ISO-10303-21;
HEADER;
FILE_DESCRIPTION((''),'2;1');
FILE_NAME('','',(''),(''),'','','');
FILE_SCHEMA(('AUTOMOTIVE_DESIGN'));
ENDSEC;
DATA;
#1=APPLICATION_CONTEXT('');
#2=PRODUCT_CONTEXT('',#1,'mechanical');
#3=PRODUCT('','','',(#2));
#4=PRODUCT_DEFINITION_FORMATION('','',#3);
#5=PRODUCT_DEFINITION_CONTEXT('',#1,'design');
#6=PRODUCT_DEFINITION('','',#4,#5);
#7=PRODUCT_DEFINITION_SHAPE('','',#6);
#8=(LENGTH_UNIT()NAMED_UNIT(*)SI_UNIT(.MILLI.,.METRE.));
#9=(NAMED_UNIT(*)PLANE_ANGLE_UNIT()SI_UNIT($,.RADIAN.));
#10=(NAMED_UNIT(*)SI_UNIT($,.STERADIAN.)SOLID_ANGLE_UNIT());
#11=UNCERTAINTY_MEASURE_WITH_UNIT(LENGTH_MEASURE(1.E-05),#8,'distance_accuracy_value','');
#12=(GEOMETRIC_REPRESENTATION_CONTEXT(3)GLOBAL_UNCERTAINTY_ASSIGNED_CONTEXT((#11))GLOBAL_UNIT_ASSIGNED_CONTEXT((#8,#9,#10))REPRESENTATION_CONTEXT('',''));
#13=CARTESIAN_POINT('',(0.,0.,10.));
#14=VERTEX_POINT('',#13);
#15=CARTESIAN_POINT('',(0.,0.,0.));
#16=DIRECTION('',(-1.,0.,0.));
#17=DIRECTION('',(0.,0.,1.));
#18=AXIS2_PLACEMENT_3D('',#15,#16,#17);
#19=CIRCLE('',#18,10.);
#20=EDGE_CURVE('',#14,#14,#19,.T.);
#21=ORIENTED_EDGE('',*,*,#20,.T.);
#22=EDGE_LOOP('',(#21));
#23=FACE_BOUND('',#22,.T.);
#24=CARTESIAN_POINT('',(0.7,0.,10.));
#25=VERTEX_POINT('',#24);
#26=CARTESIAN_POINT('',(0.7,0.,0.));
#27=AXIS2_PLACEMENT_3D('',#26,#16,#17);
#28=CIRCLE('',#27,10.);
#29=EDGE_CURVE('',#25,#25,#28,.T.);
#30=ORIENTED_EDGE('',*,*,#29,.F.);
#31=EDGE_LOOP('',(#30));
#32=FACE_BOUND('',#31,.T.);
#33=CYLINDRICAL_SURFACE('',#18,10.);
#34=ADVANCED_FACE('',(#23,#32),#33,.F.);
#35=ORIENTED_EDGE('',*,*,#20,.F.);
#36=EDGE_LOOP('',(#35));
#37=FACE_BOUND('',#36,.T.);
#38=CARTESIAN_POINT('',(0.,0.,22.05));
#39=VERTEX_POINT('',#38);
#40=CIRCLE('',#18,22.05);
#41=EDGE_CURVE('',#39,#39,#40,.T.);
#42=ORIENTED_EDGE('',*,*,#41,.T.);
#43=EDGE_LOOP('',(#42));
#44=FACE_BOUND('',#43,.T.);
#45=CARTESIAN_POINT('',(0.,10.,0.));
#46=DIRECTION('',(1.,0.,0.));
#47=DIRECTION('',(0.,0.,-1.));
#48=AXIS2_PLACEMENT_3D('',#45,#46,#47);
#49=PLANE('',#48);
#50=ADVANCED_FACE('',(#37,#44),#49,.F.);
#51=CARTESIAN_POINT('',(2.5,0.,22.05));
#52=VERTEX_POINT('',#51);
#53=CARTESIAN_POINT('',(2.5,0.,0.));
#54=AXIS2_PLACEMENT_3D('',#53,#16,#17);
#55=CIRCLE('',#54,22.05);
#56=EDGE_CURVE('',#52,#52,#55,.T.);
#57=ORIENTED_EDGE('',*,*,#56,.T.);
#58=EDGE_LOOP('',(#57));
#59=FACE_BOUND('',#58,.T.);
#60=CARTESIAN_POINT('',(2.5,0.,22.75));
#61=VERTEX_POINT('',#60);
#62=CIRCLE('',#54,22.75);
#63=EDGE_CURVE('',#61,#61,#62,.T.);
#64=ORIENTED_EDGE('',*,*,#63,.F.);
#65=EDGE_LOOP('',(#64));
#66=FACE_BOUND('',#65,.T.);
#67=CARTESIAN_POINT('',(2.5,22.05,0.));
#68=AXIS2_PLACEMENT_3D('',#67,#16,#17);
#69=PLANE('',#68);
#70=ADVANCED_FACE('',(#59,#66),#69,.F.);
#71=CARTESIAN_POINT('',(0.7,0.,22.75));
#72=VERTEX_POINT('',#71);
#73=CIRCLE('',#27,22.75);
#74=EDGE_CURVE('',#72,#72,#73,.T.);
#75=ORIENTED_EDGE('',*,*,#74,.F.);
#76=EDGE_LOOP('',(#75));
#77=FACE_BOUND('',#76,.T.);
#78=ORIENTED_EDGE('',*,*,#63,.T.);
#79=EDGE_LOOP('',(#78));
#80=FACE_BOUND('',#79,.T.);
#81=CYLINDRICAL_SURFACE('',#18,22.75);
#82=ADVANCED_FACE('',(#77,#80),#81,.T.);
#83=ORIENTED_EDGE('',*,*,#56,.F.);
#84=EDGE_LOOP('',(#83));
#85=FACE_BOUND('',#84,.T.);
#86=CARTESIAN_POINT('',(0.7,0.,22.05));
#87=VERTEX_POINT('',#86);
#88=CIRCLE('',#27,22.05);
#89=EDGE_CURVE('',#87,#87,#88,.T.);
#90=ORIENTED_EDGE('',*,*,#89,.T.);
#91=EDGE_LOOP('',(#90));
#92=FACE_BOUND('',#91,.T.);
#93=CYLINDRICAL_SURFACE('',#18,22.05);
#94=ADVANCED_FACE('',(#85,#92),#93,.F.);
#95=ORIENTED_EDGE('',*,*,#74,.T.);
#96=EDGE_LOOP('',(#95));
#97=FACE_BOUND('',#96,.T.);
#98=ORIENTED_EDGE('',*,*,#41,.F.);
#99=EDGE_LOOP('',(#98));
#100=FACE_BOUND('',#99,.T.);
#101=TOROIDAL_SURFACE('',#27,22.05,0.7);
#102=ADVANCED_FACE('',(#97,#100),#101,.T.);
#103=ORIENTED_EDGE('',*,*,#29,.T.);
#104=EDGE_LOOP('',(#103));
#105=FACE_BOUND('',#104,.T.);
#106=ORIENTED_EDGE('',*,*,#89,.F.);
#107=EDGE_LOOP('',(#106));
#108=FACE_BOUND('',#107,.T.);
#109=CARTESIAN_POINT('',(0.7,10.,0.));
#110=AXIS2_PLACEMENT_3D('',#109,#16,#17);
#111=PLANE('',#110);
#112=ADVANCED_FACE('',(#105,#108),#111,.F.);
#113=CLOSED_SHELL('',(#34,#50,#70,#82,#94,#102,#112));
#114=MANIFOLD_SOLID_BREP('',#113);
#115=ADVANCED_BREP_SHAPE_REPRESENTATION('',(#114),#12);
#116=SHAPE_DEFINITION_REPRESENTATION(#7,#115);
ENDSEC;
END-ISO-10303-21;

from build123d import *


with BuildPart() as part:
    # Croquis1 → Revolución1 (revolve)
    with BuildSketch(Plane.XY, mode=Mode.PRIVATE) as revoluci_n1_sk:
        with BuildLine():
            Line((0.7, 10), (0.7, 22.05))
            Line((0.7, 22.05), (2.5, 22.05))
            Line((2.5, 22.05), (2.5, 22.75))
            Line((2.5, 22.75), (0.7, 22.75))
            ThreePointArc((0.7, 22.75), (0.205025253, 22.544974747), (0, 22.05))
            Line((0, 22.05), (0, 10))
            Line((0, 10), (0.7, 10))
        make_face()
    revolve(revoluci_n1_sk.sketch.rotate(Axis((0, 0, 0), (1, 0, 0)), 90), axis=Axis((0, 0, 0), (1, 0, 0)))


solid = part.part
